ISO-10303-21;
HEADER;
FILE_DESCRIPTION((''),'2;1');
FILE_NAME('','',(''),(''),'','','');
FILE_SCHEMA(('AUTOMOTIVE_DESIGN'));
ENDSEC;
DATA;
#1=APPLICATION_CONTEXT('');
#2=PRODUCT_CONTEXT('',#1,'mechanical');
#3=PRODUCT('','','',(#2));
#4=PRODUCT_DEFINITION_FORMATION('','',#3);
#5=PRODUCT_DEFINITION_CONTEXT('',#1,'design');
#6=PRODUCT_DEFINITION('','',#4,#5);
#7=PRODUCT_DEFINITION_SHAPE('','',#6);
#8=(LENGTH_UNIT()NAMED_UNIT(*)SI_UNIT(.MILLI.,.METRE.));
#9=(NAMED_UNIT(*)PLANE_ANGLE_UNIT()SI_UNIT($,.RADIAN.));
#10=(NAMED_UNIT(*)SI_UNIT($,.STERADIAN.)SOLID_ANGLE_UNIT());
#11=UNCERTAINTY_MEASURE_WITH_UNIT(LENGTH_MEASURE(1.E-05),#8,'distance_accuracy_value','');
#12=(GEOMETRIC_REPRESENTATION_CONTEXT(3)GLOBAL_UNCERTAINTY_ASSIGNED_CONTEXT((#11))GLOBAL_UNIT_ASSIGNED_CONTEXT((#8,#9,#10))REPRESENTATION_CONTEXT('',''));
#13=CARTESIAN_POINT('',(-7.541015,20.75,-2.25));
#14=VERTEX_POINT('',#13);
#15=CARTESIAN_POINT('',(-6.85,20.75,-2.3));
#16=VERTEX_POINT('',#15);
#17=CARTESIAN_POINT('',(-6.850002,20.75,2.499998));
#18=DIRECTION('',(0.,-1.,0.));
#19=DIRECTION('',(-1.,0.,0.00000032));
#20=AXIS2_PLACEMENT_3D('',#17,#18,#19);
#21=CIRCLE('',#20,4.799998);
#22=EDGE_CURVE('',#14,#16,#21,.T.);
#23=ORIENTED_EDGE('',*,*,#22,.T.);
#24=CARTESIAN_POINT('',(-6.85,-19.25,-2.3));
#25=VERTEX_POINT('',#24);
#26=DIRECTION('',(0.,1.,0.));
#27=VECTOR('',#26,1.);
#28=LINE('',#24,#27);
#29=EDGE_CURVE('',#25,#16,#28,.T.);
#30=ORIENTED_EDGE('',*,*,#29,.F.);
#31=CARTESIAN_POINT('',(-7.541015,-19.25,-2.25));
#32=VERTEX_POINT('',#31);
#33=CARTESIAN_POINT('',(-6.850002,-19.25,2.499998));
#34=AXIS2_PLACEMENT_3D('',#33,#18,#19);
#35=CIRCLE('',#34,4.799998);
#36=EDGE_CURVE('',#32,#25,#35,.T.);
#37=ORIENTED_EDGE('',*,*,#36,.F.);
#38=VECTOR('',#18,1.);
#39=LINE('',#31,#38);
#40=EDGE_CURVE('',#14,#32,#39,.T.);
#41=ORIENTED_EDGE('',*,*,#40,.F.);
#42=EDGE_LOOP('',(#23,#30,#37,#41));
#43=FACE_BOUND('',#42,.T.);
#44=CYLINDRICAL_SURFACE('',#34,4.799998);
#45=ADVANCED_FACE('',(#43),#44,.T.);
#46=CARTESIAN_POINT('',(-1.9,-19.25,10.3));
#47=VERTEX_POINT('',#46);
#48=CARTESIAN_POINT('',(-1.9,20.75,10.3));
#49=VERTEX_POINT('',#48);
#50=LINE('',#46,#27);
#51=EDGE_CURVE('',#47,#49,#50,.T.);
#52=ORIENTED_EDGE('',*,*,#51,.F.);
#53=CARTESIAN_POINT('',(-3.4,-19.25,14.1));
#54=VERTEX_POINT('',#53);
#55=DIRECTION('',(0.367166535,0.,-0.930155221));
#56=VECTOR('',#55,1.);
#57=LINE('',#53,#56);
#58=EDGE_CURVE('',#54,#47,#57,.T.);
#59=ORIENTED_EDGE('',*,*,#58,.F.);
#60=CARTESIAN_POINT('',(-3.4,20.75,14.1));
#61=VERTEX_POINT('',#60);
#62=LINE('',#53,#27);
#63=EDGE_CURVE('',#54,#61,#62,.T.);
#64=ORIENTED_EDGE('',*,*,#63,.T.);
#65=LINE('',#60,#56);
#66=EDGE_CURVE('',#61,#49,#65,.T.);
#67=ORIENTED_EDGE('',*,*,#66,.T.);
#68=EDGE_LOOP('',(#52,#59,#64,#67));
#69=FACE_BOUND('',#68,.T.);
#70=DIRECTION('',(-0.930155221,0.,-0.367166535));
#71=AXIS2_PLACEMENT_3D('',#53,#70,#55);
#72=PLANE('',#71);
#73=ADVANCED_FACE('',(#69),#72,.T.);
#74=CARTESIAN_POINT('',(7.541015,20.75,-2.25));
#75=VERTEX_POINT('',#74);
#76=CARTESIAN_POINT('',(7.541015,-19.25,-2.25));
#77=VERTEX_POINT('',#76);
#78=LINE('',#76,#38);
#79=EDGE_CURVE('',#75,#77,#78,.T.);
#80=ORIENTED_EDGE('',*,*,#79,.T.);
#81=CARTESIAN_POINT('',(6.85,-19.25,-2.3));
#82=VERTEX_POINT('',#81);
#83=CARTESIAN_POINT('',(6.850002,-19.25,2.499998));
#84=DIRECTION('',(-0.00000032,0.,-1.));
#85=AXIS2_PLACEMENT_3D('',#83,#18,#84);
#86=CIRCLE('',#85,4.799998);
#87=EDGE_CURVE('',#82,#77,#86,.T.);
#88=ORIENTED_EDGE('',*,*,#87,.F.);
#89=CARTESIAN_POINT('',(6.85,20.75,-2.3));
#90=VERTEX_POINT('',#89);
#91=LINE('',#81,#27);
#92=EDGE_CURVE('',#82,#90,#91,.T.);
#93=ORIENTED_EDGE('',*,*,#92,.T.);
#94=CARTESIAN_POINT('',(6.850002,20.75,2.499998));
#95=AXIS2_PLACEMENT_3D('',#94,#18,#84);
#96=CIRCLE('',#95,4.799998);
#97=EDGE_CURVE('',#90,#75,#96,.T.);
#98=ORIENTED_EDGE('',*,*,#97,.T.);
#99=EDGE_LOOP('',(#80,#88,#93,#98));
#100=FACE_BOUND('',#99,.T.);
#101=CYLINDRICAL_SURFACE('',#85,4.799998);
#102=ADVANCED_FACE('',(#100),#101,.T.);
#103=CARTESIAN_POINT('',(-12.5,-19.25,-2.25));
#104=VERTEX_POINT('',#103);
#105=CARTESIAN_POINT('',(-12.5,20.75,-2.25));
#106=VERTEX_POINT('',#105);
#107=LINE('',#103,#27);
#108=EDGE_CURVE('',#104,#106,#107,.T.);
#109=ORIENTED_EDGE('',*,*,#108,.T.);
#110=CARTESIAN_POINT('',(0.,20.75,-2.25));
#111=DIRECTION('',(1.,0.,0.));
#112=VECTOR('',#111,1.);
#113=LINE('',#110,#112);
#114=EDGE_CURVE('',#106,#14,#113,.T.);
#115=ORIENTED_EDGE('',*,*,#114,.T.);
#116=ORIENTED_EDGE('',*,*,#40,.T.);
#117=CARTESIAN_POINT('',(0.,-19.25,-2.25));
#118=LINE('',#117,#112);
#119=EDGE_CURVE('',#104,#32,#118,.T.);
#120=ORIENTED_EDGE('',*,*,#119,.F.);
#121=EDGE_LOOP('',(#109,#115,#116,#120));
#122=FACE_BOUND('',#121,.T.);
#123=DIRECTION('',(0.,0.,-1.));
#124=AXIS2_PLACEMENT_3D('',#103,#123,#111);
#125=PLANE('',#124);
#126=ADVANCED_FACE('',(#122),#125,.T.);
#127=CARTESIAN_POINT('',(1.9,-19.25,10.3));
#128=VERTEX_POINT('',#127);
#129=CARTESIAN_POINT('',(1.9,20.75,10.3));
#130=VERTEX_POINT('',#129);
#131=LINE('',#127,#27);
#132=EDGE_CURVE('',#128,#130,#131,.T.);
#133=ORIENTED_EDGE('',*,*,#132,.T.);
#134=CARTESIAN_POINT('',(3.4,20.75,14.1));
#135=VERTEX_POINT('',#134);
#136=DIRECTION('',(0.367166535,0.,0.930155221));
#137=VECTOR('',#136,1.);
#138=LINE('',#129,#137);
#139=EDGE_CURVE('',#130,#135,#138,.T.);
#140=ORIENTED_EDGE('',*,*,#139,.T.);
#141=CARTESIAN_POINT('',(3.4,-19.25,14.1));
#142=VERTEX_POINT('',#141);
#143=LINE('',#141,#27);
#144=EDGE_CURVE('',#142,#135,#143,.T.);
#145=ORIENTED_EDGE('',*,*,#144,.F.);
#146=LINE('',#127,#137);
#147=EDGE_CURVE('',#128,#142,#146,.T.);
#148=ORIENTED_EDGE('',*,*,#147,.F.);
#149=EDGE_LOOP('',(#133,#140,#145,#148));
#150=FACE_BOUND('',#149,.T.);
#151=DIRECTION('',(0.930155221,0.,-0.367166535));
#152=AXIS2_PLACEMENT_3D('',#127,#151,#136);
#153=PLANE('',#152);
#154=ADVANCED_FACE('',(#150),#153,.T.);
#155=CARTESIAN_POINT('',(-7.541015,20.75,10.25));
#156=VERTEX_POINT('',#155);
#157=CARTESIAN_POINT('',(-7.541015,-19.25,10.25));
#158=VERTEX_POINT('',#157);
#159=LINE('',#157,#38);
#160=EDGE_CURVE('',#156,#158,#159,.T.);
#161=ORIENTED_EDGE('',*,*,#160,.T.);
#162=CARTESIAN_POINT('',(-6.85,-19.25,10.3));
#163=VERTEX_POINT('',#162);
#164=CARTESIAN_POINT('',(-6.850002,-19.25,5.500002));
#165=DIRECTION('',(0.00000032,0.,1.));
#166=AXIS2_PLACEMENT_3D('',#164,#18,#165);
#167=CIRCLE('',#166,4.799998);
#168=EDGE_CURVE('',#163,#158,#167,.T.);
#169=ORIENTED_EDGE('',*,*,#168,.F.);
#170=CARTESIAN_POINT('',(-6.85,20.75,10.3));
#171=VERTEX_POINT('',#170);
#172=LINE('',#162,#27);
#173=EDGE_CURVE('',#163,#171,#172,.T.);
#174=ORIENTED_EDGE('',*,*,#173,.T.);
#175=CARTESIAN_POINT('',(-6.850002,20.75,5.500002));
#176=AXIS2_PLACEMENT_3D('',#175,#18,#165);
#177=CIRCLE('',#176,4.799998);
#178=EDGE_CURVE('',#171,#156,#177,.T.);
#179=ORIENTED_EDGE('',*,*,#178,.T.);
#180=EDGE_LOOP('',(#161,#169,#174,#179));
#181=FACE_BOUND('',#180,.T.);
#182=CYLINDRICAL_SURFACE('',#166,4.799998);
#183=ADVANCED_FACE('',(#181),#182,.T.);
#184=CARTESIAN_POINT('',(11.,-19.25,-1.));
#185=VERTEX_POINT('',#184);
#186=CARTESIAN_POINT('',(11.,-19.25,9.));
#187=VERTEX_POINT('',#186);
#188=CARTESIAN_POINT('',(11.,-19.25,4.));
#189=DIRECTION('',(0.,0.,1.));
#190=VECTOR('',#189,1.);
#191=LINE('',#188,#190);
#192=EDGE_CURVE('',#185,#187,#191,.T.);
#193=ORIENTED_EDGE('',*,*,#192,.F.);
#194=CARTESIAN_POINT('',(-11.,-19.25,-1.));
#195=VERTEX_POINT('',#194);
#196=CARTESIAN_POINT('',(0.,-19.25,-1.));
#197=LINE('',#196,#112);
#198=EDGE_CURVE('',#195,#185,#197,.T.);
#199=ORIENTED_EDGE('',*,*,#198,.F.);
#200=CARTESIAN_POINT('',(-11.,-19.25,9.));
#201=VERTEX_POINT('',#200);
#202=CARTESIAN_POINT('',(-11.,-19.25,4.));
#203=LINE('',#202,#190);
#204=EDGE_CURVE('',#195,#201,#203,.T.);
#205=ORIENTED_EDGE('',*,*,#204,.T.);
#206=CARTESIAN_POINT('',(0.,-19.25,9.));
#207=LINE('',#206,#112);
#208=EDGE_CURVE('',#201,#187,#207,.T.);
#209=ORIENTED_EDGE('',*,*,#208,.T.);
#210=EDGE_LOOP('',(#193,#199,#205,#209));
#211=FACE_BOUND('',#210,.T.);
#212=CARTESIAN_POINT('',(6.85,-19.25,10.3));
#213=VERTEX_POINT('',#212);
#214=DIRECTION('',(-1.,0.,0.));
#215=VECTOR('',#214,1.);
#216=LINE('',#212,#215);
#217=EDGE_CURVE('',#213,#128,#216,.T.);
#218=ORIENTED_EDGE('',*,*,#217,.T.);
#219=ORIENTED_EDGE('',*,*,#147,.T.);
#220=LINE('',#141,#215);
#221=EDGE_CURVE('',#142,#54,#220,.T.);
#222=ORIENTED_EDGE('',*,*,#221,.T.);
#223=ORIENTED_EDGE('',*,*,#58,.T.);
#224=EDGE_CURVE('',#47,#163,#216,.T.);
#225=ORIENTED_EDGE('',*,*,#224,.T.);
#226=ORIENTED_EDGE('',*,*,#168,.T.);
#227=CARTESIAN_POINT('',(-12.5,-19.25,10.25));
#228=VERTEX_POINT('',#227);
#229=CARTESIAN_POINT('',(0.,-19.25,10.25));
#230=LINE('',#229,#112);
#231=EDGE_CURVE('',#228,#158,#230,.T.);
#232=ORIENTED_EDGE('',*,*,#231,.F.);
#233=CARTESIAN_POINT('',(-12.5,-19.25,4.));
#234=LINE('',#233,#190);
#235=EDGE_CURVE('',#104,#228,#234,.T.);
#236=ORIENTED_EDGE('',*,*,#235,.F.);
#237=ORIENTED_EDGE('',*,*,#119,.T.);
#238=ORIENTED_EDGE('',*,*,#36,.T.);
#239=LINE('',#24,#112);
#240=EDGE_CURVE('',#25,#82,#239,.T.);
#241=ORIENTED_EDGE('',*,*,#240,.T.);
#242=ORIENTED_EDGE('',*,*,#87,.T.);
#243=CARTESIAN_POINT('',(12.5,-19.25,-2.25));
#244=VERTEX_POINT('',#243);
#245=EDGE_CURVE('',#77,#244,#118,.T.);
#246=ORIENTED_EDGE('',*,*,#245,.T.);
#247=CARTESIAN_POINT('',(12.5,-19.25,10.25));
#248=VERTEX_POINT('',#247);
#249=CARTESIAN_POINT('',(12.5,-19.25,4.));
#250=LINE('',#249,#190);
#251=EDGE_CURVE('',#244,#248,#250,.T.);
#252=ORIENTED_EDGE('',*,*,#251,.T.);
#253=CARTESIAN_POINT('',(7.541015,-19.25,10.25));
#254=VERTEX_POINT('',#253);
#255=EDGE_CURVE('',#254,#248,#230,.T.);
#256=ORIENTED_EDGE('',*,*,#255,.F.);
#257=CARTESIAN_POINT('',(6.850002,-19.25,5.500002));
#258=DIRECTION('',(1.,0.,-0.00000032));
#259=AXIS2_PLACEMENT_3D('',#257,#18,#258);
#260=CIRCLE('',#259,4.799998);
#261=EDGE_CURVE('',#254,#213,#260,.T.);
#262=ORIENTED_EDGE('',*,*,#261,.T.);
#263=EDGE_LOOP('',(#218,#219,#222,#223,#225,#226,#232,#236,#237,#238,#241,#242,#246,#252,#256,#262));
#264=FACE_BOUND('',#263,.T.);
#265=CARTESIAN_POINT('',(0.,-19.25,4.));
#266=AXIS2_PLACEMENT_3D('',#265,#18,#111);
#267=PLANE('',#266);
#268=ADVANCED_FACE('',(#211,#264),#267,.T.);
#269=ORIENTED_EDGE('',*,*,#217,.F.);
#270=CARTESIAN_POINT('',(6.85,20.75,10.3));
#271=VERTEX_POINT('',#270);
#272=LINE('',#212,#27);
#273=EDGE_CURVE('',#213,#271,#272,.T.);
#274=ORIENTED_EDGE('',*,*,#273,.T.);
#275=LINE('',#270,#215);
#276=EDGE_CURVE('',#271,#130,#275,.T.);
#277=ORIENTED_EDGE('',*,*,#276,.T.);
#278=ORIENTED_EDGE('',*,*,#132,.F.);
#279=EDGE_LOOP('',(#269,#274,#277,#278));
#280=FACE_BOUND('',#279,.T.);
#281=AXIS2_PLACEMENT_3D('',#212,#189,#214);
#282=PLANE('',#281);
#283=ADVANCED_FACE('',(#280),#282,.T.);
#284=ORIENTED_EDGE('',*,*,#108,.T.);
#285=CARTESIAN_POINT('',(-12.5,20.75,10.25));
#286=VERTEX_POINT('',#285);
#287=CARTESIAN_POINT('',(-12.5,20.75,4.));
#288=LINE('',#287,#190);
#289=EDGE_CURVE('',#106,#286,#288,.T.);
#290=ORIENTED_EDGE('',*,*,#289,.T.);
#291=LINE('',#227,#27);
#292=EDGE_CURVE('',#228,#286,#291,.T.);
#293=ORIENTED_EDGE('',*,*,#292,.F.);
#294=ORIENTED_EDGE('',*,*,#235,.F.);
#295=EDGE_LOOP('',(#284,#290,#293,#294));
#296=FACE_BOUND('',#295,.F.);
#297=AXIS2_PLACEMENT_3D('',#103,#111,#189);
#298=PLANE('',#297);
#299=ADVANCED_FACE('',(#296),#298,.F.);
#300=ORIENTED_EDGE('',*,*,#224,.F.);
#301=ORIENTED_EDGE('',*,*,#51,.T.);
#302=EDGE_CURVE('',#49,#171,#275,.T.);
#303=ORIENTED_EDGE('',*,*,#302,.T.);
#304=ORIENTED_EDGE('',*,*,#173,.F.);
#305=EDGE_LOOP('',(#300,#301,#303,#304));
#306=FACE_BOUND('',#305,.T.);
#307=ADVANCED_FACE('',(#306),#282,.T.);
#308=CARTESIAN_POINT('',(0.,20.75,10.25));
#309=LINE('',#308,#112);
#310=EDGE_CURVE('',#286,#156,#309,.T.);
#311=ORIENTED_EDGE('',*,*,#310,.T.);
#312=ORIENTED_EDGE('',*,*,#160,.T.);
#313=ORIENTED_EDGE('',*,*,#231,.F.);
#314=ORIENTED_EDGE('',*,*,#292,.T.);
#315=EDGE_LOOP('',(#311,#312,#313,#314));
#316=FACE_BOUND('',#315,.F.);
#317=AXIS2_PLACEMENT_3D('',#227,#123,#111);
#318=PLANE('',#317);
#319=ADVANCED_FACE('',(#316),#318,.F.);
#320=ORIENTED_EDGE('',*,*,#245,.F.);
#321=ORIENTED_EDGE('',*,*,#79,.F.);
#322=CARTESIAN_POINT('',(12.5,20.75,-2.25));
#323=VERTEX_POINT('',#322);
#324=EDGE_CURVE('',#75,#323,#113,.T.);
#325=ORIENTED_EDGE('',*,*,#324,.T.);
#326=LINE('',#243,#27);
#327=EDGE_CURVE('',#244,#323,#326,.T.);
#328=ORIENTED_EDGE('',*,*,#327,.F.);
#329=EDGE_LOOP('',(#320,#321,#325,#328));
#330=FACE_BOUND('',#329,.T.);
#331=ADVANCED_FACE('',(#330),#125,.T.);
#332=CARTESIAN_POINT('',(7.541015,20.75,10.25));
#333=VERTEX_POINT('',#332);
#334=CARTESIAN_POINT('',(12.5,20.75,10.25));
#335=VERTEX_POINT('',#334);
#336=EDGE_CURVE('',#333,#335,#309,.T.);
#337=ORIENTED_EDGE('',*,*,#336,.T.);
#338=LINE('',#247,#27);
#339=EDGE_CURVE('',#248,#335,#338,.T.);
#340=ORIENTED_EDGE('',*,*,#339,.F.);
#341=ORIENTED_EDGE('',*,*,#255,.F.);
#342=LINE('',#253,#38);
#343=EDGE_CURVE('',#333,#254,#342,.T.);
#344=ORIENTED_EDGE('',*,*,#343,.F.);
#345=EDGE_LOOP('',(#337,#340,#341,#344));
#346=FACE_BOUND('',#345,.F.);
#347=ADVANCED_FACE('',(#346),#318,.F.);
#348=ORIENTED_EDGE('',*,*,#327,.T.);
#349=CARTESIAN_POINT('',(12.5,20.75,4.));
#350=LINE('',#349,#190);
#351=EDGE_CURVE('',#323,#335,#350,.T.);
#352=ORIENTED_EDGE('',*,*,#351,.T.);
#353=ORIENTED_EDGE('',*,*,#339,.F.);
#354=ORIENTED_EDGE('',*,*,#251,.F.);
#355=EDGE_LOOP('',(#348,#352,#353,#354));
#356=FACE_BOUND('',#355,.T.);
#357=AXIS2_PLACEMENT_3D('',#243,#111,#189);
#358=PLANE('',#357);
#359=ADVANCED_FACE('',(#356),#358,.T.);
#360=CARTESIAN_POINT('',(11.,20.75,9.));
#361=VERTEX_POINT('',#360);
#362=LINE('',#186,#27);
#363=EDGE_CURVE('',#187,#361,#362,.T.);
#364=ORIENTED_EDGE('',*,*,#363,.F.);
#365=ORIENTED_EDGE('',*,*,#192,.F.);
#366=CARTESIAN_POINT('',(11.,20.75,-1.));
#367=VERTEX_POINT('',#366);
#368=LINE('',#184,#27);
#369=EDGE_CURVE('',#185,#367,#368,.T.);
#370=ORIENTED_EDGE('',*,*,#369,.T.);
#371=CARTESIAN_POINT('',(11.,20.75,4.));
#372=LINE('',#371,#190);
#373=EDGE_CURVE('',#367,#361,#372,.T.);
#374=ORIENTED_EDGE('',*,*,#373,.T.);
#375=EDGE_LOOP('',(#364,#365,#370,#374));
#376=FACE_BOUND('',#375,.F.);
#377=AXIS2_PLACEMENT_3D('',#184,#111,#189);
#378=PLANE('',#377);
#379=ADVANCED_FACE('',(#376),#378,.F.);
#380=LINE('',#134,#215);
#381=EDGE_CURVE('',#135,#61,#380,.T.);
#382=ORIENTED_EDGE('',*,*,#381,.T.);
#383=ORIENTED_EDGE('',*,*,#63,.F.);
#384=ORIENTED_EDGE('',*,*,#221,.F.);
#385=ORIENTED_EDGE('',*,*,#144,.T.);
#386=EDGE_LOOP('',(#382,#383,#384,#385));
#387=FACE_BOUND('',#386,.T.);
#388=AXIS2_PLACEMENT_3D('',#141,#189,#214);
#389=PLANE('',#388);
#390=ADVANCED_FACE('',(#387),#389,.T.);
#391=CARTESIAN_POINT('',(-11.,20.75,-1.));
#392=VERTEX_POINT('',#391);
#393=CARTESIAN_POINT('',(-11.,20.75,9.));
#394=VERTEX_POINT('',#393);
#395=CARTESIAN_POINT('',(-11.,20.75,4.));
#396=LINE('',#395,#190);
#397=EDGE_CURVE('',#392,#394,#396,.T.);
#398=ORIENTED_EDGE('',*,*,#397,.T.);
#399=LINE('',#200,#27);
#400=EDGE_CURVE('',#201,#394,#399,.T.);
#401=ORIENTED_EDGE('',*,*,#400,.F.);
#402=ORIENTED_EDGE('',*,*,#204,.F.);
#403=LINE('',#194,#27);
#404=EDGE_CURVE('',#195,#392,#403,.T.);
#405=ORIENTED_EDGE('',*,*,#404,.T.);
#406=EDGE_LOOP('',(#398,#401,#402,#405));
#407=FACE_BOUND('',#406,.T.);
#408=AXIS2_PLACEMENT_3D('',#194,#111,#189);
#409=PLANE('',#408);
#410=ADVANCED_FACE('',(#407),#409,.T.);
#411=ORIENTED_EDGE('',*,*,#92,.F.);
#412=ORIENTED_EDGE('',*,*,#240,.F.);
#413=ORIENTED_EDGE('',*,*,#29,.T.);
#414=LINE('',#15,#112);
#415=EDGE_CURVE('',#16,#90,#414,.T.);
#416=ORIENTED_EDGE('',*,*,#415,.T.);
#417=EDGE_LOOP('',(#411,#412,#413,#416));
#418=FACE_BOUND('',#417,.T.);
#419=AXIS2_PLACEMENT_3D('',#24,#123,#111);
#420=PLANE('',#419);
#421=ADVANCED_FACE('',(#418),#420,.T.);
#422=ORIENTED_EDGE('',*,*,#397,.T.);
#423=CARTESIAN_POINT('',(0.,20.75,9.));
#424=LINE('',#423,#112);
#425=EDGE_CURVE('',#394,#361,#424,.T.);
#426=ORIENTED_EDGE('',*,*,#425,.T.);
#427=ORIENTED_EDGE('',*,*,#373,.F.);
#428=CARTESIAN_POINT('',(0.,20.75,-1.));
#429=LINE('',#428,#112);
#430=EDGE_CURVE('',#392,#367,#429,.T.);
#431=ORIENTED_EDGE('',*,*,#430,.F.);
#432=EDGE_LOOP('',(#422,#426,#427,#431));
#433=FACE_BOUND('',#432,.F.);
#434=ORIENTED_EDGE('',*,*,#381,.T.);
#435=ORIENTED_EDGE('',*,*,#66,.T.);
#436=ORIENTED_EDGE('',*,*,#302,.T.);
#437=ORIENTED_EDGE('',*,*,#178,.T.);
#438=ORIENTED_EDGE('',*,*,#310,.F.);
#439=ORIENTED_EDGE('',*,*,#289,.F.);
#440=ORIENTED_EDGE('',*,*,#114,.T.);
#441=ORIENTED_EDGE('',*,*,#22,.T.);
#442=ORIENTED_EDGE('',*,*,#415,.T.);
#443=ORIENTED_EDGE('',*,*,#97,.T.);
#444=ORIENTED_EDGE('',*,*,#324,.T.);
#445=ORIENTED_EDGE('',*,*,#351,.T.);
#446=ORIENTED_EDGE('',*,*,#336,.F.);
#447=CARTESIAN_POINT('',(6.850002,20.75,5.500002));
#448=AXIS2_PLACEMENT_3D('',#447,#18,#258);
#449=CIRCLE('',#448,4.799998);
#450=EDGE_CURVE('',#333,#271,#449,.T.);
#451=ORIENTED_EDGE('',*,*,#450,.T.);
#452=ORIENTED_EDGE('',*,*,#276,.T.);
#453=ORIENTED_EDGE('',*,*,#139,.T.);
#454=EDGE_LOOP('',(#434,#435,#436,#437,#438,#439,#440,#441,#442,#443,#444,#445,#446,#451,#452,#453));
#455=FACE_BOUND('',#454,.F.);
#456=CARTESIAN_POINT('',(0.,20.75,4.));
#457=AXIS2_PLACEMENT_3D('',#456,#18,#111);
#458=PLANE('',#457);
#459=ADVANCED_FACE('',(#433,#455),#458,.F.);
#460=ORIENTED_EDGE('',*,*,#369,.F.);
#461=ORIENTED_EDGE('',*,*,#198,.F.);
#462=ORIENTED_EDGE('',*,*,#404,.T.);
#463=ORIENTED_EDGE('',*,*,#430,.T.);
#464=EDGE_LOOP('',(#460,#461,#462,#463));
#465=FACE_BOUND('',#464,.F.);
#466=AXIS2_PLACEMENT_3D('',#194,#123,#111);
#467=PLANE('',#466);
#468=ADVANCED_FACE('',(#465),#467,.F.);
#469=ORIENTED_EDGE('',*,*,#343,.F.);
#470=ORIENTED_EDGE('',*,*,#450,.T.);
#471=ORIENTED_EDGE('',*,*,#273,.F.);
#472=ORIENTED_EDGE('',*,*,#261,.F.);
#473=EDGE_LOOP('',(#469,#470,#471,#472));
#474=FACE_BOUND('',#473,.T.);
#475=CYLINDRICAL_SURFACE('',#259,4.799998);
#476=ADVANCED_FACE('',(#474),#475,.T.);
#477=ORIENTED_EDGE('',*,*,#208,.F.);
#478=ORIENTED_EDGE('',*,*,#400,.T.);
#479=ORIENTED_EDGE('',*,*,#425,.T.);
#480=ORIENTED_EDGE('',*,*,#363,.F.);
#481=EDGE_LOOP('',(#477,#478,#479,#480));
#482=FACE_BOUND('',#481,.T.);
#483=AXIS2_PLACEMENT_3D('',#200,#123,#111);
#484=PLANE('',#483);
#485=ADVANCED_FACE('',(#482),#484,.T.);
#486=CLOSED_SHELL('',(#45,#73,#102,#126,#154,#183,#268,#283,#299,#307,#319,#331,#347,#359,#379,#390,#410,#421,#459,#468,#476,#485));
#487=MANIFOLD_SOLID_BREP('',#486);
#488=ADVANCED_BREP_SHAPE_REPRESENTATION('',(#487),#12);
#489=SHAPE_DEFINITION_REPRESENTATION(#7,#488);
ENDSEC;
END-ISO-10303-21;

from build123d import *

# Parameters (mm, degrees)
F0_W      = 18.7
F0_H      = 38.5
F1_DEPTH  = 8
F2_R      = 2.5
F4_DEPTH  = 40
F7_DEPTH  = 40
F8_W      = 25
F8_H      = 12.5
F9_DEPTH  = 40
F10_W     = 22
F10_H     = 10
F11_DEPTH = 40


with BuildPart() as f1:
    # F0 (on Top) → F1 (new body)
    with BuildSketch(Plane.XY):
        Rectangle(F0_W, F0_H)
    extrude(amount=F1_DEPTH)

    # F2
    f2_edges = [f1.edges().sort_by_distance(p)[0] for p in [
        (9.35, 0, 8),
        (9.35, 0, 0),
        (-9.35, 0, 8),
        (-9.35, 0, 0),
    ]]
    fillet(f2_edges, radius=F2_R)


with BuildPart() as f4:
    # F3 (on face) → F4 (new body)
    with BuildSketch(Plane.XZ.offset(19.25)):
        with BuildLine():
            Line((-11.65, 5.5), (-11.65, 2.5))
            ThreePointArc((-11.65, 2.5), (-10.244113, -0.894113), (-6.85, -2.3))
            Line((-6.85, -2.3), (6.85, -2.3))
            ThreePointArc((6.85, -2.3), (10.244113, -0.894113), (11.65, 2.5))
            Line((11.65, 2.5), (11.65, 5.5))
            ThreePointArc((11.65, 5.5), (10.244113, 8.894113), (6.85, 10.3))
            Line((6.85, 10.3), (-6.85, 10.3))
            ThreePointArc((-6.85, 10.3), (-10.244113, 8.894113), (-11.65, 5.5))
        make_face()
        with BuildLine():
            Line((-6.85, 8.3), (6.85, 8.3))
            ThreePointArc((6.85, 8.3), (8.829899, 7.479899), (9.65, 5.5))
            Line((9.65, 5.5), (9.65, 2.5))
            ThreePointArc((9.65, 2.5), (8.829899, 0.520101), (6.85, -0.3))
            Line((6.85, -0.3), (-6.85, -0.3))
            ThreePointArc((-6.85, -0.3), (-8.829899, 0.520101), (-9.65, 2.5))
            Line((-9.65, 2.5), (-9.65, 5.5))
            ThreePointArc((-9.65, 5.5), (-8.829899, 7.479899), (-6.85, 8.3))
        make_face(mode=Mode.SUBTRACT)
    extrude(amount=-F4_DEPTH)

    # F6 (on face) → F7 (join)
    with BuildSketch(Plane.XZ.offset(19.25)):
        Polygon((3.4, 14.1), (1.9, 14.1), (-1.9, 14.1), (-3.4, 14.1), (-1.9, 10.3), (1.9, 10.3), align=None)
    extrude(amount=-F7_DEPTH)

    # F8 (on face) → F9 (join)
    with BuildSketch(Plane.XZ.offset(19.25)):
        with Locations((0, 4)):
            Rectangle(F8_W, F8_H)
    extrude(amount=-F9_DEPTH)

    # F10 (on face) → F11 (cut)
    with BuildSketch(Plane.XZ.offset(19.25)):
        with Locations((0, 4)):
            Rectangle(F10_W, F10_H)
    extrude(amount=-F11_DEPTH, mode=Mode.SUBTRACT)


solid = f4.part
